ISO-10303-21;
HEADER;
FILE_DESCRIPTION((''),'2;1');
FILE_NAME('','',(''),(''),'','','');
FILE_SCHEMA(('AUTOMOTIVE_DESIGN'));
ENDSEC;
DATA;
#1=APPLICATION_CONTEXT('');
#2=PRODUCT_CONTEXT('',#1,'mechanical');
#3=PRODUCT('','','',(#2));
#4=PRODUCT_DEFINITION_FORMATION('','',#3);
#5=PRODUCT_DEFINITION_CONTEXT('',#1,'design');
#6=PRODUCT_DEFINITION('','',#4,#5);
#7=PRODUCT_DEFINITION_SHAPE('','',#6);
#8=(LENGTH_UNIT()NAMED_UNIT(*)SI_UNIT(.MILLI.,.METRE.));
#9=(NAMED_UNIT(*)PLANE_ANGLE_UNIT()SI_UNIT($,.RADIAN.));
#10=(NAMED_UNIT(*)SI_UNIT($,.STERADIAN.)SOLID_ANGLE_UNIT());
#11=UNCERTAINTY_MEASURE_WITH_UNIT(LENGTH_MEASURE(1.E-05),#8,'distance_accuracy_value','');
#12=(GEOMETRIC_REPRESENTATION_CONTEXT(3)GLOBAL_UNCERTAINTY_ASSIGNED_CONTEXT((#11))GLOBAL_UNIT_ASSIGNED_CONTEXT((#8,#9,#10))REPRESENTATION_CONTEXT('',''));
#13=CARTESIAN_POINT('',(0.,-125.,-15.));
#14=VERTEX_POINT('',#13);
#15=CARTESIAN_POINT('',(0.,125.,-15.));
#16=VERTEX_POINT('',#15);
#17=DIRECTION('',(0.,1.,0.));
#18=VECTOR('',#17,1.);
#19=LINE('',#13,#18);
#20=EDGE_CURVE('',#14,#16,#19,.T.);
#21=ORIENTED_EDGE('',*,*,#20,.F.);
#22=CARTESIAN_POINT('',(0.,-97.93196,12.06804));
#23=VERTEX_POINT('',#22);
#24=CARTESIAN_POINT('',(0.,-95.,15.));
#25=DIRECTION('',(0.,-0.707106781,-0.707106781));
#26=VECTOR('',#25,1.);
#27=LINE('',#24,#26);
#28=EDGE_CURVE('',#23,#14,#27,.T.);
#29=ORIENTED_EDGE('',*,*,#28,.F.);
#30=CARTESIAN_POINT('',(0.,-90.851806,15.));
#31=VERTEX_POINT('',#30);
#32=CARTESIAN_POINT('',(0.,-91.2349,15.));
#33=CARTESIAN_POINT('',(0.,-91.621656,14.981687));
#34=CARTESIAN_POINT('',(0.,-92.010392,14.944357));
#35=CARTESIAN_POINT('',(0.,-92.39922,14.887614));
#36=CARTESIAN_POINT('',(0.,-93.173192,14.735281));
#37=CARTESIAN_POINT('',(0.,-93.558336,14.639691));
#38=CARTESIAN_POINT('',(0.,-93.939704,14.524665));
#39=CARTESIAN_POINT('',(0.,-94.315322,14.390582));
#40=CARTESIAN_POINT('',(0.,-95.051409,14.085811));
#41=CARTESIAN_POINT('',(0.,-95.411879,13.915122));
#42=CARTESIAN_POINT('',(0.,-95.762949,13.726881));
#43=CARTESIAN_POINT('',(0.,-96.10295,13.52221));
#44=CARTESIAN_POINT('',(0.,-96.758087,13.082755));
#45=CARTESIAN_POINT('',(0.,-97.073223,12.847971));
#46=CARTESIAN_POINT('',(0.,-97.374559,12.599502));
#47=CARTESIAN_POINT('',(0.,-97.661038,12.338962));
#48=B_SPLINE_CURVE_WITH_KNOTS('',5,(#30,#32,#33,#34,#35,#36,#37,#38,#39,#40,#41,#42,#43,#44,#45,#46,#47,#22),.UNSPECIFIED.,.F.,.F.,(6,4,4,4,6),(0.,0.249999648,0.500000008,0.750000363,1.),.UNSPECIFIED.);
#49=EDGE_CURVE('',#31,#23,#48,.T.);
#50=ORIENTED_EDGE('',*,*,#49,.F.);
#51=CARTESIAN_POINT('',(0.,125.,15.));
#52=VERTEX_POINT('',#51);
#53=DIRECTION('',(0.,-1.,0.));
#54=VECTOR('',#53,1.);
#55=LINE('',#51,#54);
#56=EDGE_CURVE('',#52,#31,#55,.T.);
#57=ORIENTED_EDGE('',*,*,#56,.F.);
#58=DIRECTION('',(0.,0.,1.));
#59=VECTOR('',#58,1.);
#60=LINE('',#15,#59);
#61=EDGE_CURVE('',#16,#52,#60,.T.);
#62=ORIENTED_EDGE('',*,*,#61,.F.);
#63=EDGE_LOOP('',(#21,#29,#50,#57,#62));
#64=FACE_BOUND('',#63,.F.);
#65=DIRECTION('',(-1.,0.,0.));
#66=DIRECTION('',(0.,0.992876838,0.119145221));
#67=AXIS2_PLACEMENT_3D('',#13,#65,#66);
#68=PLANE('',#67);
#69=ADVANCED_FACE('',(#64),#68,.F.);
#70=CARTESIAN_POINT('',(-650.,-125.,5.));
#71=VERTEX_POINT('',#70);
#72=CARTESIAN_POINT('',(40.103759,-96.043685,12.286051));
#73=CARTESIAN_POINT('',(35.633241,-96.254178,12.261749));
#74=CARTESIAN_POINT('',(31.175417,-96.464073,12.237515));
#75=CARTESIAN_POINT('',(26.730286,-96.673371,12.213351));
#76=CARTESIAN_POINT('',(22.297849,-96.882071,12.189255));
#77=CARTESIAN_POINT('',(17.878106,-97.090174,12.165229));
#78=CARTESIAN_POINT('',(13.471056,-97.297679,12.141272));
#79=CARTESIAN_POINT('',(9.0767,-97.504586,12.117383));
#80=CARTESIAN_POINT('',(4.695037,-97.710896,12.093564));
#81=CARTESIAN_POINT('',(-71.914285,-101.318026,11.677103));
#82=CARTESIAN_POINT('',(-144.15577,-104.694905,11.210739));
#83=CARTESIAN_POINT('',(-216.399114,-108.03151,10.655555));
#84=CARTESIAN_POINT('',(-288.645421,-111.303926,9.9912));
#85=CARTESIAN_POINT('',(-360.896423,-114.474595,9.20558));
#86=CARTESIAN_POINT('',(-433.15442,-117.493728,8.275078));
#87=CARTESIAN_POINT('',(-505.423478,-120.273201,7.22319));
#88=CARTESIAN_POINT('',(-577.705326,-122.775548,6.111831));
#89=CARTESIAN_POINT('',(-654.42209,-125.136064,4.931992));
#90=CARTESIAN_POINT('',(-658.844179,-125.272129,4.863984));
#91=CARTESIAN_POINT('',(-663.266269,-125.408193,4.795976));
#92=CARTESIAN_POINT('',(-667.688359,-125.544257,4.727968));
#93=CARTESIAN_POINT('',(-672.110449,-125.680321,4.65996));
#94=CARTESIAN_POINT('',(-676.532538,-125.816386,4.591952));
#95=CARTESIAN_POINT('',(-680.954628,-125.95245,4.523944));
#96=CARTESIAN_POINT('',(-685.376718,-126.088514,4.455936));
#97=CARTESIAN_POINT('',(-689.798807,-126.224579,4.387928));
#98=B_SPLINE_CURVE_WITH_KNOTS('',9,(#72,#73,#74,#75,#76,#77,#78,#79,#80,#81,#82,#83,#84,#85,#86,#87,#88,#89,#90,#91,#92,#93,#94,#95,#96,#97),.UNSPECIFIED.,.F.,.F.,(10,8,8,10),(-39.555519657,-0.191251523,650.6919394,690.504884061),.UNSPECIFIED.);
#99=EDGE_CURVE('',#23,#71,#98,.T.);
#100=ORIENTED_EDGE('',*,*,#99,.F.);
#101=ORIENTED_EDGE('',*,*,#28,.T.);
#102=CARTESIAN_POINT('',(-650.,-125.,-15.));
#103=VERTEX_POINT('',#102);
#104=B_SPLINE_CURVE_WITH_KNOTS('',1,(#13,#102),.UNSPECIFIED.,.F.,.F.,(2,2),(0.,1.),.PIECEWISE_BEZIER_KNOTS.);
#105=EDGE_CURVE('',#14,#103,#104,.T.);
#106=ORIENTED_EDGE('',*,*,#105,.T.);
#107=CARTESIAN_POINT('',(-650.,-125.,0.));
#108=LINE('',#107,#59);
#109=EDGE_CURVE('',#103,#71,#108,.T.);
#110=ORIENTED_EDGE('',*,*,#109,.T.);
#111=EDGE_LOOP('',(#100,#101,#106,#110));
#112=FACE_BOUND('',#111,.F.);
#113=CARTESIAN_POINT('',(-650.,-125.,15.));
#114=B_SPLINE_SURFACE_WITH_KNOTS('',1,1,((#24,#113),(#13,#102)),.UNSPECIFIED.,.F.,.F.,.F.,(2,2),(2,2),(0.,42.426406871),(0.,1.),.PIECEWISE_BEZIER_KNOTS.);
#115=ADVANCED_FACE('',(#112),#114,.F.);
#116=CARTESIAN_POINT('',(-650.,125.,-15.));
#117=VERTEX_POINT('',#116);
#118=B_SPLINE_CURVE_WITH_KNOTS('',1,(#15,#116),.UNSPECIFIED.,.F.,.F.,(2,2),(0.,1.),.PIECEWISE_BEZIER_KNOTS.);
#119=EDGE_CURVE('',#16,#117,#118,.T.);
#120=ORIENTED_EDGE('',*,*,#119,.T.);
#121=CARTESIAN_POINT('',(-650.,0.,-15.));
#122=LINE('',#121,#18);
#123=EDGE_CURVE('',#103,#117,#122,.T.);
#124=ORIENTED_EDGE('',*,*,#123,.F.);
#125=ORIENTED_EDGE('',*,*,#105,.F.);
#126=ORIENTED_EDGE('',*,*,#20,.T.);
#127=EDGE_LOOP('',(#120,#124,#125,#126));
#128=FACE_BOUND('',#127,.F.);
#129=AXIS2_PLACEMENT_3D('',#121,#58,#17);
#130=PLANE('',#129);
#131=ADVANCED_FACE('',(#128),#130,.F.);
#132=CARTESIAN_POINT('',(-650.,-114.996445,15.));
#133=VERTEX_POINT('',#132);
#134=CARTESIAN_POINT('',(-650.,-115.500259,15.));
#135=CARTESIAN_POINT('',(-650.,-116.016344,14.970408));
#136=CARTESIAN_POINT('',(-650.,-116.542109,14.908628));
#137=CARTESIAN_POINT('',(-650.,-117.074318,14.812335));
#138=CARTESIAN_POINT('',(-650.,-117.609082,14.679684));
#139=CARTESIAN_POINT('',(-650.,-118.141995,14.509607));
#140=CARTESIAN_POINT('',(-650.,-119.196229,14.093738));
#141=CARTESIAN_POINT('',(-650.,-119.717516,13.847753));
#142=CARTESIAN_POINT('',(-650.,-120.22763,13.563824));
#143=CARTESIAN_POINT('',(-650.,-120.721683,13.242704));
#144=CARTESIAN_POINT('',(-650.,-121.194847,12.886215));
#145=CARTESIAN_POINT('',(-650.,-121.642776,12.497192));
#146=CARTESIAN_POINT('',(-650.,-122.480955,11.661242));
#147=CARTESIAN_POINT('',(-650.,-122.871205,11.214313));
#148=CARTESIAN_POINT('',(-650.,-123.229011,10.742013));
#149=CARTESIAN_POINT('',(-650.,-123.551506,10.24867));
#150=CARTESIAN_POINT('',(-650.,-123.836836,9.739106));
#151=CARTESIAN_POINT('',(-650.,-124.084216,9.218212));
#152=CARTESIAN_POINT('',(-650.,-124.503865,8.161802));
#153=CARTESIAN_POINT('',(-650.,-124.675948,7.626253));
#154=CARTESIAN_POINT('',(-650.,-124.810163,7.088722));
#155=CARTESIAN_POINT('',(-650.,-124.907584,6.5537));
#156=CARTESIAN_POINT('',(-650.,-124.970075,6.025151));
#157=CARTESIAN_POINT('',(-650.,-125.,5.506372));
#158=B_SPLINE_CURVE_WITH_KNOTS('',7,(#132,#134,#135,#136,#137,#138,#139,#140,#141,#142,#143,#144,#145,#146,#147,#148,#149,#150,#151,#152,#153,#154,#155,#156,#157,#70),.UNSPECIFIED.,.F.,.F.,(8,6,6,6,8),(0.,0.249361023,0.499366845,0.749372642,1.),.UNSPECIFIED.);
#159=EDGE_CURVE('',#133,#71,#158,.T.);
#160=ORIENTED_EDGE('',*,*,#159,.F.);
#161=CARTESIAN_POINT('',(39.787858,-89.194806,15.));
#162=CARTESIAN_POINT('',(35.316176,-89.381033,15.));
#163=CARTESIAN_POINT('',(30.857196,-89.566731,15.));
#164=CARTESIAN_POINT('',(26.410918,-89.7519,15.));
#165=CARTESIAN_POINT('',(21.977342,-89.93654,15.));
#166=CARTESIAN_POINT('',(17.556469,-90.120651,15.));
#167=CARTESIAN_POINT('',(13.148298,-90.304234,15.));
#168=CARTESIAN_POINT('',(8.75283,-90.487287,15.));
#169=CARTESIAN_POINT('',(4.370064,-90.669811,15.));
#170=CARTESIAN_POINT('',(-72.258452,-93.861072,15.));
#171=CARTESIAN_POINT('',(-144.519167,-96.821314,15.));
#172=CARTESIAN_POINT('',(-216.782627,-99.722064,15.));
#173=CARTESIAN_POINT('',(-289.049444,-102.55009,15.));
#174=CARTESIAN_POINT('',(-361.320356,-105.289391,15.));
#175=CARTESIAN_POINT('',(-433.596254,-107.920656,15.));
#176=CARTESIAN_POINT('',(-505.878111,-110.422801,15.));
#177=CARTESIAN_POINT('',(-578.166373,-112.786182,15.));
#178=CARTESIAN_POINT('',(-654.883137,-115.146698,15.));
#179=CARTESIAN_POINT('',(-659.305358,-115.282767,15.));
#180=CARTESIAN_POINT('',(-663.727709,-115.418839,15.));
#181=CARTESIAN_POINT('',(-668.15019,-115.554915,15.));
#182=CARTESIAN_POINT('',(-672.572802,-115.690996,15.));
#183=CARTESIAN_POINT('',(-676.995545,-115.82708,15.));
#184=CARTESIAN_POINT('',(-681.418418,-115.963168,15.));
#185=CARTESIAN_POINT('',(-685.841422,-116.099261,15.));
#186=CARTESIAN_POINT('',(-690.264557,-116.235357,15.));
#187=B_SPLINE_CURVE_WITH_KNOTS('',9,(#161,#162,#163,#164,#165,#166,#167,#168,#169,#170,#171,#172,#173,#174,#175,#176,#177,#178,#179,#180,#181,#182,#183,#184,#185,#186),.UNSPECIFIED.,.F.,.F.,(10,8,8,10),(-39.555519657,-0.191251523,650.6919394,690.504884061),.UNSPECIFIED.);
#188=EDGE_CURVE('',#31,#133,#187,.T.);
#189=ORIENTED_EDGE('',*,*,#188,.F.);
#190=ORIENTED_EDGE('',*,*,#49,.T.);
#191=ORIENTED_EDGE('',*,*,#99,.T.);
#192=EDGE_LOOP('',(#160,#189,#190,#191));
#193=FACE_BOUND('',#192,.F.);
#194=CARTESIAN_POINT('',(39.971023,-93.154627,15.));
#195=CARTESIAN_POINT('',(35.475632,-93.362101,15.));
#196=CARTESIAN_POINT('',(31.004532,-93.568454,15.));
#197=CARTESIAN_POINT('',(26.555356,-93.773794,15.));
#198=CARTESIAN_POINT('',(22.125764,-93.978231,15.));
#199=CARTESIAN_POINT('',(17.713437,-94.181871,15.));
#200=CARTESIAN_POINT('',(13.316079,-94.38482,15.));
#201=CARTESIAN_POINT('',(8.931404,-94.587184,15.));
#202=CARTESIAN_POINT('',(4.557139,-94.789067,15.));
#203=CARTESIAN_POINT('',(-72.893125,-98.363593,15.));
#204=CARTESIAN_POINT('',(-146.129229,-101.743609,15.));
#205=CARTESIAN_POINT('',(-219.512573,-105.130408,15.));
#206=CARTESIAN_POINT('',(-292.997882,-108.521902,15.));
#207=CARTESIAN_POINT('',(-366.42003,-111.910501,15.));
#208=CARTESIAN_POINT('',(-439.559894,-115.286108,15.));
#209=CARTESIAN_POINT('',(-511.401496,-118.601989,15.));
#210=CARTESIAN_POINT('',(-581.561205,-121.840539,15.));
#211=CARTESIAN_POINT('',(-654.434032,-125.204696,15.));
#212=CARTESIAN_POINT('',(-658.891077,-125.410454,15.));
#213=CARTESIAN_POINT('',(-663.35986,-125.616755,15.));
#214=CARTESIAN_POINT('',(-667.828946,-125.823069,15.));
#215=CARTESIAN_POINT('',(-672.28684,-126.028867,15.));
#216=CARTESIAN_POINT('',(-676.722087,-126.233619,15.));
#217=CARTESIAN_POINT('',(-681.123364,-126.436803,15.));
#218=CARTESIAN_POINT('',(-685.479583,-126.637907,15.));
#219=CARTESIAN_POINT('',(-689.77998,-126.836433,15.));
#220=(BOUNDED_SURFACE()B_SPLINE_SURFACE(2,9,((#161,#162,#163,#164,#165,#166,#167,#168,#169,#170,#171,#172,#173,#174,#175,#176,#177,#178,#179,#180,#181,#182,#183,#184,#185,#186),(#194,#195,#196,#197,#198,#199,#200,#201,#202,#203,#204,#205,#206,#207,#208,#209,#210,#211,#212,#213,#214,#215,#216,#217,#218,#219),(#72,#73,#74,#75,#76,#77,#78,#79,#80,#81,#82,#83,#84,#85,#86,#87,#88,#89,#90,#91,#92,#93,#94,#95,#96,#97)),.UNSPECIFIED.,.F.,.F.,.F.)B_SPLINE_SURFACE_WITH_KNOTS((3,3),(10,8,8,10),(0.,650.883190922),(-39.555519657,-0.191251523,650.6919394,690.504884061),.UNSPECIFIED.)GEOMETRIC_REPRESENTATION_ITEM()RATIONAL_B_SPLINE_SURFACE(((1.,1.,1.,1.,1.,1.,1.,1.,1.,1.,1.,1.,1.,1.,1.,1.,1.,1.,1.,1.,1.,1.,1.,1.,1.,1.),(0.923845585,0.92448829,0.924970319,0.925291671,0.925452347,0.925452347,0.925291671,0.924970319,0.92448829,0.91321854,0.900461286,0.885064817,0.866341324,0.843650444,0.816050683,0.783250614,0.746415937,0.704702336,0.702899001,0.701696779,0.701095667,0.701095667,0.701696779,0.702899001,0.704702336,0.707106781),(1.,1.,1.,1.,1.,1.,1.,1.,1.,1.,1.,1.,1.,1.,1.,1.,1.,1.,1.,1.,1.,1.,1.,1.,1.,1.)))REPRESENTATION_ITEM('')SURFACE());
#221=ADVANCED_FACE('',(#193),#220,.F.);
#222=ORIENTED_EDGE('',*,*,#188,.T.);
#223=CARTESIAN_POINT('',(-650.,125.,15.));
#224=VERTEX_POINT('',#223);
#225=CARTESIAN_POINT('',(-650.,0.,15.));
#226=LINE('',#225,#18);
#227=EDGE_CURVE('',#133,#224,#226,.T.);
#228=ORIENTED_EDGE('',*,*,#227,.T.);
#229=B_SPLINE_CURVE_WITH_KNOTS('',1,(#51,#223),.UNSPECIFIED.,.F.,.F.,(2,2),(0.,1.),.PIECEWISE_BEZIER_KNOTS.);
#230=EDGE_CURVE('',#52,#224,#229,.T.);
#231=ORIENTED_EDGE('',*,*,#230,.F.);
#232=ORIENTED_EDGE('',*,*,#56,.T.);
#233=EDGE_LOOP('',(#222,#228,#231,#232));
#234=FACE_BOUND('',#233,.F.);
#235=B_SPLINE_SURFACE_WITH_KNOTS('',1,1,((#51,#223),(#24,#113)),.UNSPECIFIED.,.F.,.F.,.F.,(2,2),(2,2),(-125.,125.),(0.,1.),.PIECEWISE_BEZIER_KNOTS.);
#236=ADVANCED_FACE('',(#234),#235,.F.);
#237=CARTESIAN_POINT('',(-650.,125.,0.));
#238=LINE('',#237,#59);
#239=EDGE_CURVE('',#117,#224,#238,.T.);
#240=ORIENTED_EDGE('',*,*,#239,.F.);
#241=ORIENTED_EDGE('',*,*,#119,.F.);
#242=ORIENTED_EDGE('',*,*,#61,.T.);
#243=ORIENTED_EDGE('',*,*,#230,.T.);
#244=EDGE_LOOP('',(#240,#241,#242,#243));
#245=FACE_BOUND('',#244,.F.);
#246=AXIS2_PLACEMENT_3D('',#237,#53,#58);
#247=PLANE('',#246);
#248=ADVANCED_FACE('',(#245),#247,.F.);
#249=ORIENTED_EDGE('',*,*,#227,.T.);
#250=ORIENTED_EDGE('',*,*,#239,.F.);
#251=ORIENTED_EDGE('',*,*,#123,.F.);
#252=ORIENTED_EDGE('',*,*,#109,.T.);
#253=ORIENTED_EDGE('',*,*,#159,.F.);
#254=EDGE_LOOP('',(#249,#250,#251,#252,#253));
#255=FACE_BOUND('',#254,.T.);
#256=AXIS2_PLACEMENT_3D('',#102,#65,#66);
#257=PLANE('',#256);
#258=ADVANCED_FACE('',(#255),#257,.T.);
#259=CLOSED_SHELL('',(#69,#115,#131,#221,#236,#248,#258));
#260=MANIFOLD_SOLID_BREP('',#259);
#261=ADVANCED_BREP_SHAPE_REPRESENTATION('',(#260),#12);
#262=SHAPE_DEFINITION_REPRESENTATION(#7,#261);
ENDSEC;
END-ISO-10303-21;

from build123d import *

# Parameters (mm, degrees)
F2_W = 250
F2_H = 30
F4_R = 10


with BuildPart() as f3:
    # F0 (on Right) → F3 section 0
    with BuildSketch(Plane.YZ):
        Polygon((-125, -15), (125, -15), (125, 15), (-95, 15), align=None)
    # F2 (on offset) → F3 section 1
    with BuildSketch(Plane.YZ.offset(-650)):
        Rectangle(F2_W, F2_H)
    loft()

    # F4
    f4_edges = [f3.edges().sort_by_distance(p)[0] for p in [
        (-325, -110, 15),
    ]]
    fillet(f4_edges, radius=F4_R)


solid = f3.part
